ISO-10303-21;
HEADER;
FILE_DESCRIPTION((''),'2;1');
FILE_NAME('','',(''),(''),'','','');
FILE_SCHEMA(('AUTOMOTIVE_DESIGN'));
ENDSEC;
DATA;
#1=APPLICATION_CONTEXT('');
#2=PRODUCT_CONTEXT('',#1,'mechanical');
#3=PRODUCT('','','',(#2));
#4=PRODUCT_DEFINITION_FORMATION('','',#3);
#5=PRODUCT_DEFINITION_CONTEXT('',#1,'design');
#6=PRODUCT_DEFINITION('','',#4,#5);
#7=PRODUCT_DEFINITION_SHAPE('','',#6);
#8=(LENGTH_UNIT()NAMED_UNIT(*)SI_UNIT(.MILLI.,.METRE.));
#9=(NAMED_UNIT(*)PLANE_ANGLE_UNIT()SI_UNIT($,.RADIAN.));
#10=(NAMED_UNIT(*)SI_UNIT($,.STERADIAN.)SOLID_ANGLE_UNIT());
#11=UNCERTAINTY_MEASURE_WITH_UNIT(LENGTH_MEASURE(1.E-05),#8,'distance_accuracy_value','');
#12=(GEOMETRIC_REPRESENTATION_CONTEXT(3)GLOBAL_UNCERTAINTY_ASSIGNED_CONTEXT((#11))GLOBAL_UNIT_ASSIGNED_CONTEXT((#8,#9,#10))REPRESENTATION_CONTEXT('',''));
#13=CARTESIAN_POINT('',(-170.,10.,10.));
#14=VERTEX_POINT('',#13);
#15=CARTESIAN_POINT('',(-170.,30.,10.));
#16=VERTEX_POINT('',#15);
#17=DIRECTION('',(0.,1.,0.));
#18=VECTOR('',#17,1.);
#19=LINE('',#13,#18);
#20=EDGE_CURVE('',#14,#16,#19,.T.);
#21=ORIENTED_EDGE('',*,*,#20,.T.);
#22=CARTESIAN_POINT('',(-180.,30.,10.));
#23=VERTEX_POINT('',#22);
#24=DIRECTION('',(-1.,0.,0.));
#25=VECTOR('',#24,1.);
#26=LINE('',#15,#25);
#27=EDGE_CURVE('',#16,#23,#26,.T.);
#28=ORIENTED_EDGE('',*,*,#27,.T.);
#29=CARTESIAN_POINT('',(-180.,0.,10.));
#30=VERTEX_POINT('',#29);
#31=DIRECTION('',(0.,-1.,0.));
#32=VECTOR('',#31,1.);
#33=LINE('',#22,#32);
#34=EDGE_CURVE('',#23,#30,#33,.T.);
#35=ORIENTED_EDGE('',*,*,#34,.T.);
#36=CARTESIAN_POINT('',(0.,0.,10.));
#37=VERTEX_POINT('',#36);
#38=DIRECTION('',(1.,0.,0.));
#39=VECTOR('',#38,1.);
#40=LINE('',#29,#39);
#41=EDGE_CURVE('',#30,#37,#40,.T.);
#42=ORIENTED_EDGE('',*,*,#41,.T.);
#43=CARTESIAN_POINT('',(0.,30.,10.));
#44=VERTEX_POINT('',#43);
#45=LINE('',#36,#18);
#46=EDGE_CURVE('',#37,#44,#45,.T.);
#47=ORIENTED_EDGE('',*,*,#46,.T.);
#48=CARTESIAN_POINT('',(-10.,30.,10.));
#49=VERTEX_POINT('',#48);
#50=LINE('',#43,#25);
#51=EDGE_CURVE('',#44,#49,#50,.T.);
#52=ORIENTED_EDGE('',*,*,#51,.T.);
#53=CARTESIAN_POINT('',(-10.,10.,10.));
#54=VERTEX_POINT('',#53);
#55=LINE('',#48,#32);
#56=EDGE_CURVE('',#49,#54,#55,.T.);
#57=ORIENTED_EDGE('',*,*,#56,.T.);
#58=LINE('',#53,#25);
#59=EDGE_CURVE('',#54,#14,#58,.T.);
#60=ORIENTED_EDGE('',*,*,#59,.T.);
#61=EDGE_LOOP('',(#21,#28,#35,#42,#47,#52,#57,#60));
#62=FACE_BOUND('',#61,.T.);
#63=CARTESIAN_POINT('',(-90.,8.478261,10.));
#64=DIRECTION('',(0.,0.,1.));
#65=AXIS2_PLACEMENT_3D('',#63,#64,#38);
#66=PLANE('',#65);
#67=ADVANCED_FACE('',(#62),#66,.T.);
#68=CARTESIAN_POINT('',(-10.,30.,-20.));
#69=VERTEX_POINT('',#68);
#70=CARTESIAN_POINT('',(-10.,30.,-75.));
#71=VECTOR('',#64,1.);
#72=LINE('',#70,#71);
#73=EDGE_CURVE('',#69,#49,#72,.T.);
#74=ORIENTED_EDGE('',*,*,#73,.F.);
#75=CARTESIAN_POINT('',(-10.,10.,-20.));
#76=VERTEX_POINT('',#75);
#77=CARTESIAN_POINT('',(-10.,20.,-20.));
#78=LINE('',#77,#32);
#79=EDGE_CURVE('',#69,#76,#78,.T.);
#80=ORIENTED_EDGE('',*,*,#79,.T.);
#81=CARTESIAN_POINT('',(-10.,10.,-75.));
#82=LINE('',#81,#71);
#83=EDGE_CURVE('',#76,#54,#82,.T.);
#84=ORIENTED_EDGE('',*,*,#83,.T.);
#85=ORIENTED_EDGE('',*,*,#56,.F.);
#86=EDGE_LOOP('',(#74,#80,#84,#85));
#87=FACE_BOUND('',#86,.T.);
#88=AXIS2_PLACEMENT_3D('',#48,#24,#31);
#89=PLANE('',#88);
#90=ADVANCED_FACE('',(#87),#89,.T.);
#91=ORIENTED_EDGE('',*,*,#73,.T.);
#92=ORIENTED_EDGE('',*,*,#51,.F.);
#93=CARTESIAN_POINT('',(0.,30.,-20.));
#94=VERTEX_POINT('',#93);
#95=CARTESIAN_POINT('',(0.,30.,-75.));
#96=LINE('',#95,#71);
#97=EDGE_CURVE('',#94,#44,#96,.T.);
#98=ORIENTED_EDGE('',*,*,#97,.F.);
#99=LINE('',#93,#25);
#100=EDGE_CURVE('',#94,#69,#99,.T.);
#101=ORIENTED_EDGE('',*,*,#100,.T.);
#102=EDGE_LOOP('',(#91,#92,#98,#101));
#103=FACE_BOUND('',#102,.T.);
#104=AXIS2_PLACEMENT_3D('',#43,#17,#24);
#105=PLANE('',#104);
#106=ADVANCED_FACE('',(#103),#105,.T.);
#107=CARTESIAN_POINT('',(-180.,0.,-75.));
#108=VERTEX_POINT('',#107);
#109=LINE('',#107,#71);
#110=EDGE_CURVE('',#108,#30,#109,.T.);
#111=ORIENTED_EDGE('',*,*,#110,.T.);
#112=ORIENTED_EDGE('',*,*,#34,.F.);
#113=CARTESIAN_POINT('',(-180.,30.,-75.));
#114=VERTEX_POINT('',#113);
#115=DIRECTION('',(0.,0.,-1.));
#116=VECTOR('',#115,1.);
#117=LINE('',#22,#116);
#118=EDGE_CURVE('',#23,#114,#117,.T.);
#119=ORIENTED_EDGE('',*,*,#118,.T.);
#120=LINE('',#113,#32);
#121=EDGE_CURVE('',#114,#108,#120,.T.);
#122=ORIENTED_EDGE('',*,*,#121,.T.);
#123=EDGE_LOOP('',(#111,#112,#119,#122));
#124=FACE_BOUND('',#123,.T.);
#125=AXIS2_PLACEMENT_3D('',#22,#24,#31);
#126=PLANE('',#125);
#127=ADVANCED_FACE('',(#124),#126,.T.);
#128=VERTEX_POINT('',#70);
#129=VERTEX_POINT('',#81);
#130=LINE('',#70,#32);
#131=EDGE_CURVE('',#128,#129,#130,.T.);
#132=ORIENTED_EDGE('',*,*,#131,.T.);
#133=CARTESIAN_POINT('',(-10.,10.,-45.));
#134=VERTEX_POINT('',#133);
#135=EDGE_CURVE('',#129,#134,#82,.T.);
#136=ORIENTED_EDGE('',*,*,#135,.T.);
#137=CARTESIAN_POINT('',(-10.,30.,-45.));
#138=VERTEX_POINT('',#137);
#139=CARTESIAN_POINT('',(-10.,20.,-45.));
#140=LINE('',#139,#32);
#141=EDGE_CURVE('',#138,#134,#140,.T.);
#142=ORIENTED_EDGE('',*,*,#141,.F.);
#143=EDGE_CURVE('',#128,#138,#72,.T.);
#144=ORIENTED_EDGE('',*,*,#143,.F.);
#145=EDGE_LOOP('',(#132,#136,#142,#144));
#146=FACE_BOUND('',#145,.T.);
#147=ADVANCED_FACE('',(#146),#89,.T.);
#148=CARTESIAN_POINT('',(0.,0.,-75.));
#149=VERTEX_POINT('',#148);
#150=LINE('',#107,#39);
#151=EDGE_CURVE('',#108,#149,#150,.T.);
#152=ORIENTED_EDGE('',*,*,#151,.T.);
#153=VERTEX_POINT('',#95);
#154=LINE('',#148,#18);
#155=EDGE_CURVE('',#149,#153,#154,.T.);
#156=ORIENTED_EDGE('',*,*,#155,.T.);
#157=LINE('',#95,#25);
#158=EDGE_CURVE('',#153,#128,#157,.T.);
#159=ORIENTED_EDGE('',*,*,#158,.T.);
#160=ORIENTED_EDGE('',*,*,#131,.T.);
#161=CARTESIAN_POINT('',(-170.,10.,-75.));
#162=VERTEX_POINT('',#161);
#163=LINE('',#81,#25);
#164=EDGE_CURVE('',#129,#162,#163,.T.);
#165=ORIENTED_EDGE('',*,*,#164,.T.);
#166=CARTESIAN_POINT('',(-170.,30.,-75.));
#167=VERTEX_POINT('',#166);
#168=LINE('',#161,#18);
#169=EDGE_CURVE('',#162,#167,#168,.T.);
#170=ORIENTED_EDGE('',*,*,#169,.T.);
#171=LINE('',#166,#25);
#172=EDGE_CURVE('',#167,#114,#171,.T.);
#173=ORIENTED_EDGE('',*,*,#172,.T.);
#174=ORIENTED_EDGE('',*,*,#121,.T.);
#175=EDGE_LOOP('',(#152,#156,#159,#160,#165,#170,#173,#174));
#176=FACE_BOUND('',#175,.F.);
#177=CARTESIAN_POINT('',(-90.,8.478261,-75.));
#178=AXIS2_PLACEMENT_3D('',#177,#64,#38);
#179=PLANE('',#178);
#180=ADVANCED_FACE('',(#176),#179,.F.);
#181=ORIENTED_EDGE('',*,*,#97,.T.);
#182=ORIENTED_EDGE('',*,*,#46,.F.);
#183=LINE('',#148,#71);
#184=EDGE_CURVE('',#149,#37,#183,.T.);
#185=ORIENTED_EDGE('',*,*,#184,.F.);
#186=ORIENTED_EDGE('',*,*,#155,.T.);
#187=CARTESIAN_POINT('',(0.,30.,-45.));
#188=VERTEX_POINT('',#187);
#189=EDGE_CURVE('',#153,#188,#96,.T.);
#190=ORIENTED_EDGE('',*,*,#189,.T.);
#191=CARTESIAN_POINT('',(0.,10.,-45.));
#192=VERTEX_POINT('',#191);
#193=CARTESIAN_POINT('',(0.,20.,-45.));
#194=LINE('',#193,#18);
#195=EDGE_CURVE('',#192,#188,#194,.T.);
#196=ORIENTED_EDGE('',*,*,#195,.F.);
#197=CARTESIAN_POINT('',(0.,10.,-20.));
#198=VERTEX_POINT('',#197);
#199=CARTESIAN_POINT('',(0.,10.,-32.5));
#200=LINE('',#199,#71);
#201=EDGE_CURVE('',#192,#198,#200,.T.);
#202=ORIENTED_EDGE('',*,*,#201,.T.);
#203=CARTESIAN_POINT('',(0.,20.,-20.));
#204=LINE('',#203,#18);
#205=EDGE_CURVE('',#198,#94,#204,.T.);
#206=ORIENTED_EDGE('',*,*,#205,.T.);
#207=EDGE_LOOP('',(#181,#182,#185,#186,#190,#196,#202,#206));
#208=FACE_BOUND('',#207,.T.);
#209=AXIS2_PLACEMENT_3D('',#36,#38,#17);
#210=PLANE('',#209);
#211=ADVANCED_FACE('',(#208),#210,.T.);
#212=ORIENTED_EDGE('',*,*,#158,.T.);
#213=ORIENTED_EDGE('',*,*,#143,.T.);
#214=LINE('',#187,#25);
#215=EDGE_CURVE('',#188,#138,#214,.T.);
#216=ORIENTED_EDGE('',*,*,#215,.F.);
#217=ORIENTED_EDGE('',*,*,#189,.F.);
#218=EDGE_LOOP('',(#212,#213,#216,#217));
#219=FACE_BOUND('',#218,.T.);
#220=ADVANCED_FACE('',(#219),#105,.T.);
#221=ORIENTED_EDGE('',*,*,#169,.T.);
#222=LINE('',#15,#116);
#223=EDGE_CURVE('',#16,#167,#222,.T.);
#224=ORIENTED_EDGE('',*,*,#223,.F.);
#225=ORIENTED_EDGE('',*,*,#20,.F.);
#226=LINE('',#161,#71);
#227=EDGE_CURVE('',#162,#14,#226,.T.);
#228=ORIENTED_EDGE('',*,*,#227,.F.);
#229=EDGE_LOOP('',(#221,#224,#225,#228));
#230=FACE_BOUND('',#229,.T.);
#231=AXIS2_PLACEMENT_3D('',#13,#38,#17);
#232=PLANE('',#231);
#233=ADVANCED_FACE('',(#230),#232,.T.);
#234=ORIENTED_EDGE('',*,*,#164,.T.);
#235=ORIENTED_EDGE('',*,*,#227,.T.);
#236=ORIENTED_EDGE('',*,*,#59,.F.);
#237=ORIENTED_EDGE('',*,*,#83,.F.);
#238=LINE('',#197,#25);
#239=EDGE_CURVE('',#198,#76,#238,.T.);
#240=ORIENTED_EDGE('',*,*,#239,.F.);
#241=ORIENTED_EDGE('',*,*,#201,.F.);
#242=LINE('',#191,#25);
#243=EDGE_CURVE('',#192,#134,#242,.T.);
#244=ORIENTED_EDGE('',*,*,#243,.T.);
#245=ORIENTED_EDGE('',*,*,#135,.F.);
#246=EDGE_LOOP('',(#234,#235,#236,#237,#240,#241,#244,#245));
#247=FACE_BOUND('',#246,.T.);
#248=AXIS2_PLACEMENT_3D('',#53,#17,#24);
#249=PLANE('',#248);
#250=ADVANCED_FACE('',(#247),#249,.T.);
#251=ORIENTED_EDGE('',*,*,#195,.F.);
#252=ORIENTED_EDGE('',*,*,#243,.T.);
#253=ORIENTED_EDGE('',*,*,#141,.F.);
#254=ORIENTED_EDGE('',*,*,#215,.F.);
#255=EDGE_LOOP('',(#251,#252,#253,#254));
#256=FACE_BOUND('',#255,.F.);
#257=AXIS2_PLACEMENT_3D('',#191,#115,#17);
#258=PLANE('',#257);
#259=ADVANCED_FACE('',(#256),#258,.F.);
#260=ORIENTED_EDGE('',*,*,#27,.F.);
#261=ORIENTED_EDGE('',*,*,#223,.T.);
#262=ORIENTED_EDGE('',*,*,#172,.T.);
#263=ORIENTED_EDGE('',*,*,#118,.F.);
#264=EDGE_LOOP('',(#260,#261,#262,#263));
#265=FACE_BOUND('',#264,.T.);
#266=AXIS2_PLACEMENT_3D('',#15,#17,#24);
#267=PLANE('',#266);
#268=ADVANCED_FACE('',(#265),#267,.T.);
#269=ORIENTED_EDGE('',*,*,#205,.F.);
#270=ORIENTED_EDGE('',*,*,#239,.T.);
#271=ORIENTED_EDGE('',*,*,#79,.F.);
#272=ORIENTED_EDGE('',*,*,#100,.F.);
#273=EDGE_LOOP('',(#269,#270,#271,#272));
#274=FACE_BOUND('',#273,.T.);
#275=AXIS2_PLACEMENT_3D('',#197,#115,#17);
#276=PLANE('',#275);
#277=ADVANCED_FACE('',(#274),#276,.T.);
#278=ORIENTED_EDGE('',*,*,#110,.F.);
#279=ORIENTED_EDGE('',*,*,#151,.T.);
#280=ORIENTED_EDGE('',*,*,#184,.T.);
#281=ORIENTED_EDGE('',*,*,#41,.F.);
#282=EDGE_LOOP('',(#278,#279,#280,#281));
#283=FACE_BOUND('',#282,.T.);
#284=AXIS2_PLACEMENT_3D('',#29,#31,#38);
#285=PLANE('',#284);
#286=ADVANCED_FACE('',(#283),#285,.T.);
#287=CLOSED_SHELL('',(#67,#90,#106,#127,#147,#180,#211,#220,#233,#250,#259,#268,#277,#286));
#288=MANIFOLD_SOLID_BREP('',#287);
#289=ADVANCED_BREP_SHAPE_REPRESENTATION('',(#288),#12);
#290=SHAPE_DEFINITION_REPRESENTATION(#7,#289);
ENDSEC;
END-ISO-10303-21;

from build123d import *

# Parameters (mm, degrees)
F1_DEPTH = 10
F2_DEPTH = 85
F3_W     = 20
F3_H     = 25
F4_DEPTH = 88.4


with BuildPart() as f1:
    # F0 (on Top) → F1 (new body)
    with BuildSketch(Plane.XY):
        Polygon((-180, 30), (-180, 0), (0, 0), (0, 30), (-10, 30), (-10, 10), (-170, 10), (-170, 30), align=None)
    extrude(amount=F1_DEPTH)

    # F1_face (on face) → F2 (join)
    with BuildSketch(Plane(origin=(-90, 7.727273, 10), x_dir=(1, 0, 0), z_dir=(0, 0, 1))):
        Polygon((-90, 22.272727), (-90, -7.727273), (90, -7.727273), (90, 22.272727), (80, 22.272727), (80, 2.272727), (-80, 2.272727), (-80, 22.272727), align=None)
    extrude(amount=-F2_DEPTH)

    # F3 (on face) → F4 (cut)
    with BuildSketch(Plane.YZ):
        with Locations((20, -32.5)):
            Rectangle(F3_W, F3_H)
    extrude(amount=-F4_DEPTH, mode=Mode.SUBTRACT)


solid = f1.part
